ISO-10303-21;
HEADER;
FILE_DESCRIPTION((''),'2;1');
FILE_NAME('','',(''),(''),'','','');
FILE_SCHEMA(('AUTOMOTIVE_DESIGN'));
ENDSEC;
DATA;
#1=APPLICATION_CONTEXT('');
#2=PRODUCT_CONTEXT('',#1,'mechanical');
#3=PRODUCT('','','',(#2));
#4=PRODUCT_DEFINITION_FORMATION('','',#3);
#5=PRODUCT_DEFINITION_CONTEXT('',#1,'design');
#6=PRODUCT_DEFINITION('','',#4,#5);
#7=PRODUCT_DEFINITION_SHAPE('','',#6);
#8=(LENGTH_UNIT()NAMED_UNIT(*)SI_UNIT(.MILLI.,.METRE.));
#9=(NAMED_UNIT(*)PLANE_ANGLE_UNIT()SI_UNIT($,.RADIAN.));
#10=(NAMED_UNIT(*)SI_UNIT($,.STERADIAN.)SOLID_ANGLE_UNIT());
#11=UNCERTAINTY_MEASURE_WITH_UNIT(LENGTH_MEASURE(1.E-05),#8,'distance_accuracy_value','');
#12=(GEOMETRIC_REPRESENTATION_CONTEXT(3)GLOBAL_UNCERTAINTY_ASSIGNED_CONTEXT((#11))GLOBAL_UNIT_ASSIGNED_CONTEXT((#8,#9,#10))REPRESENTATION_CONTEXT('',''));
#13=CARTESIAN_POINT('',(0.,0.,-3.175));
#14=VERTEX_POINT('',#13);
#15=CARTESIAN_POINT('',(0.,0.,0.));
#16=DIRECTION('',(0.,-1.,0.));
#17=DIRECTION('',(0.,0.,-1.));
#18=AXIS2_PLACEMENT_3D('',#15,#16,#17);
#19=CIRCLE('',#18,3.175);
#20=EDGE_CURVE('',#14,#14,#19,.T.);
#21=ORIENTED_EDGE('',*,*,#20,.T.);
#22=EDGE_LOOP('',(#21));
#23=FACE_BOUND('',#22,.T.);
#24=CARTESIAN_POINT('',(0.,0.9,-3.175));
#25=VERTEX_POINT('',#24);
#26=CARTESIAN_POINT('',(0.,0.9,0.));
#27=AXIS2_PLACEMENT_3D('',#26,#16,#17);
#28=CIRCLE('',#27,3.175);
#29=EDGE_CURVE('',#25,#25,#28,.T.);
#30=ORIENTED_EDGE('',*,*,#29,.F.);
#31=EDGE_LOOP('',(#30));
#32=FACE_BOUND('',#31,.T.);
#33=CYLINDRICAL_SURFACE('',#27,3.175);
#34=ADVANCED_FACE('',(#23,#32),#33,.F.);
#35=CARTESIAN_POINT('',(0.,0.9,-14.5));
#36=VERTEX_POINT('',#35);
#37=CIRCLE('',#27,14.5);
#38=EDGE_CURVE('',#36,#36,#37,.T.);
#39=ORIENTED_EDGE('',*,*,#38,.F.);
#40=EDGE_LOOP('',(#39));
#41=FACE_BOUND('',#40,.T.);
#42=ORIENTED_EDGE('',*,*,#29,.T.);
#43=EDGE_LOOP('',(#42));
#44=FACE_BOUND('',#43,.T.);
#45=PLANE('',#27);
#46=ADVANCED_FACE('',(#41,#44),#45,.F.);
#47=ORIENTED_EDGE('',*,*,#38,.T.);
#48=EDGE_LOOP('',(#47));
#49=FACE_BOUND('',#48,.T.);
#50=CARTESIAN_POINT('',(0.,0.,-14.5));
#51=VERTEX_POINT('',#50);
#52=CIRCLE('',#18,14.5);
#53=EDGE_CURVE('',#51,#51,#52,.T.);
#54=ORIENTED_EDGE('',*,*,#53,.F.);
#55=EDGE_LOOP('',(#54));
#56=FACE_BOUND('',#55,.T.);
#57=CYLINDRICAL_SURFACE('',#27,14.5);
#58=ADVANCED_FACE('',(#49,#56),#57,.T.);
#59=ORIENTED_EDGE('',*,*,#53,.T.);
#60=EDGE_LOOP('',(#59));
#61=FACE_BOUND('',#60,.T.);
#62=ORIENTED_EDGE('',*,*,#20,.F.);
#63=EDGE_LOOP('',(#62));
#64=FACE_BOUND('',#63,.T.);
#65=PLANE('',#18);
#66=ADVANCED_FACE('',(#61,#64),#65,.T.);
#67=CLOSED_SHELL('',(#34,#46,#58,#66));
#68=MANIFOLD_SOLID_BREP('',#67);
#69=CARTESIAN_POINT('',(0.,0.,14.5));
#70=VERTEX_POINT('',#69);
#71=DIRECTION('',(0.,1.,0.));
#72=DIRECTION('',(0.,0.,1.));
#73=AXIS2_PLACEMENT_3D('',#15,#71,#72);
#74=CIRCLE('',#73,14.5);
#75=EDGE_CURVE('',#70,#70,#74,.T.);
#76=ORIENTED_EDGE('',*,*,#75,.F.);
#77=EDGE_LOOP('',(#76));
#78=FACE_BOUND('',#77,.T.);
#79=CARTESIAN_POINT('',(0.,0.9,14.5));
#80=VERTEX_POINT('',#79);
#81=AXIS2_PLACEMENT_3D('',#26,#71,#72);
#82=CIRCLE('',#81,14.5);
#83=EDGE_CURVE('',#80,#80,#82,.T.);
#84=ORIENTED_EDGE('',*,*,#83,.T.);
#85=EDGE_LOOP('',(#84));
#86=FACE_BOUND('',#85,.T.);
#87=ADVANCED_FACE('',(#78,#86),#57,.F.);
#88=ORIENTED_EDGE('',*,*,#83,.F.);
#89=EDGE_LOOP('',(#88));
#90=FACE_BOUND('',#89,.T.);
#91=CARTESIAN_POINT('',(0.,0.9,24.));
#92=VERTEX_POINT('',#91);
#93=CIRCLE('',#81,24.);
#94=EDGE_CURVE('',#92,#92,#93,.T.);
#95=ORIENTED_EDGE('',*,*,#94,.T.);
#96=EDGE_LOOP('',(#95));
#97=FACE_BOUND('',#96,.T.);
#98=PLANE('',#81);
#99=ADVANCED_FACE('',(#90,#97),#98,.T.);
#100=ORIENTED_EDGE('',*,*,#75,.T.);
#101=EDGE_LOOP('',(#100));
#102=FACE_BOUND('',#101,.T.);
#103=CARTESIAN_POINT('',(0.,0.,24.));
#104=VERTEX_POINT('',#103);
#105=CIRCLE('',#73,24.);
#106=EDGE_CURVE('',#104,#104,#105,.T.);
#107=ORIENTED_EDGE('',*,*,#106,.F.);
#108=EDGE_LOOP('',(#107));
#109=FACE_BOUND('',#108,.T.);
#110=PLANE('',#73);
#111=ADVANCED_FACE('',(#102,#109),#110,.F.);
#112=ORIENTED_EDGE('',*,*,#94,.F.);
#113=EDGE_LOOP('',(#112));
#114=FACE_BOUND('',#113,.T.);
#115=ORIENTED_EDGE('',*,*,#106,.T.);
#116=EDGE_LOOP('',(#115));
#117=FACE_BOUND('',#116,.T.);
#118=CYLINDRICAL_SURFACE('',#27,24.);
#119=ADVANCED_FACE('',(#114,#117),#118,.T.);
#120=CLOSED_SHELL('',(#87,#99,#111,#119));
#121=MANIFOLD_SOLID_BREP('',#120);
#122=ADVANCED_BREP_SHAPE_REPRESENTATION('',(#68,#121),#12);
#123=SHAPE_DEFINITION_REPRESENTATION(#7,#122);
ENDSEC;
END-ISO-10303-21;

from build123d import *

# Parameters (mm, degrees)
SKETCH1_R           = 24
SKETCH1_R_2         = 14.5
BOSS_EXTRUDE1_DEPTH = 0.9
SKETCH2_R           = 14.5
SKETCH2_R_2         = 3.175
BOSS_EXTRUDE2_DEPTH = 0.9


with BuildPart() as part:
    # Sketch1 → Boss-Extrude1 (new body)
    with BuildSketch(Plane(origin=(0, 0, 0), x_dir=(1, 0, 0), z_dir=(0, 1, 0))):
        with Locations(Location((0, 0, 0), (0, 0, 270))):
            Circle(SKETCH1_R)
        with Locations(Location((0, 0, 0), (0, 0, 270))):
            Circle(SKETCH1_R_2, mode=Mode.SUBTRACT)
    extrude(amount=BOSS_EXTRUDE1_DEPTH)


with BuildPart() as body_2:
    # Sketch2 → Boss-Extrude2 (new body)
    with BuildSketch(Plane.XZ):
        with Locations(Location((0, 0, 0), (0, 0, 270))):
            Circle(SKETCH2_R)
        with Locations(Location((0, 0, 0), (0, 0, 270))):
            Circle(SKETCH2_R_2, mode=Mode.SUBTRACT)
    extrude(amount=-BOSS_EXTRUDE2_DEPTH)


solid = Compound([part.part, body_2.part])
